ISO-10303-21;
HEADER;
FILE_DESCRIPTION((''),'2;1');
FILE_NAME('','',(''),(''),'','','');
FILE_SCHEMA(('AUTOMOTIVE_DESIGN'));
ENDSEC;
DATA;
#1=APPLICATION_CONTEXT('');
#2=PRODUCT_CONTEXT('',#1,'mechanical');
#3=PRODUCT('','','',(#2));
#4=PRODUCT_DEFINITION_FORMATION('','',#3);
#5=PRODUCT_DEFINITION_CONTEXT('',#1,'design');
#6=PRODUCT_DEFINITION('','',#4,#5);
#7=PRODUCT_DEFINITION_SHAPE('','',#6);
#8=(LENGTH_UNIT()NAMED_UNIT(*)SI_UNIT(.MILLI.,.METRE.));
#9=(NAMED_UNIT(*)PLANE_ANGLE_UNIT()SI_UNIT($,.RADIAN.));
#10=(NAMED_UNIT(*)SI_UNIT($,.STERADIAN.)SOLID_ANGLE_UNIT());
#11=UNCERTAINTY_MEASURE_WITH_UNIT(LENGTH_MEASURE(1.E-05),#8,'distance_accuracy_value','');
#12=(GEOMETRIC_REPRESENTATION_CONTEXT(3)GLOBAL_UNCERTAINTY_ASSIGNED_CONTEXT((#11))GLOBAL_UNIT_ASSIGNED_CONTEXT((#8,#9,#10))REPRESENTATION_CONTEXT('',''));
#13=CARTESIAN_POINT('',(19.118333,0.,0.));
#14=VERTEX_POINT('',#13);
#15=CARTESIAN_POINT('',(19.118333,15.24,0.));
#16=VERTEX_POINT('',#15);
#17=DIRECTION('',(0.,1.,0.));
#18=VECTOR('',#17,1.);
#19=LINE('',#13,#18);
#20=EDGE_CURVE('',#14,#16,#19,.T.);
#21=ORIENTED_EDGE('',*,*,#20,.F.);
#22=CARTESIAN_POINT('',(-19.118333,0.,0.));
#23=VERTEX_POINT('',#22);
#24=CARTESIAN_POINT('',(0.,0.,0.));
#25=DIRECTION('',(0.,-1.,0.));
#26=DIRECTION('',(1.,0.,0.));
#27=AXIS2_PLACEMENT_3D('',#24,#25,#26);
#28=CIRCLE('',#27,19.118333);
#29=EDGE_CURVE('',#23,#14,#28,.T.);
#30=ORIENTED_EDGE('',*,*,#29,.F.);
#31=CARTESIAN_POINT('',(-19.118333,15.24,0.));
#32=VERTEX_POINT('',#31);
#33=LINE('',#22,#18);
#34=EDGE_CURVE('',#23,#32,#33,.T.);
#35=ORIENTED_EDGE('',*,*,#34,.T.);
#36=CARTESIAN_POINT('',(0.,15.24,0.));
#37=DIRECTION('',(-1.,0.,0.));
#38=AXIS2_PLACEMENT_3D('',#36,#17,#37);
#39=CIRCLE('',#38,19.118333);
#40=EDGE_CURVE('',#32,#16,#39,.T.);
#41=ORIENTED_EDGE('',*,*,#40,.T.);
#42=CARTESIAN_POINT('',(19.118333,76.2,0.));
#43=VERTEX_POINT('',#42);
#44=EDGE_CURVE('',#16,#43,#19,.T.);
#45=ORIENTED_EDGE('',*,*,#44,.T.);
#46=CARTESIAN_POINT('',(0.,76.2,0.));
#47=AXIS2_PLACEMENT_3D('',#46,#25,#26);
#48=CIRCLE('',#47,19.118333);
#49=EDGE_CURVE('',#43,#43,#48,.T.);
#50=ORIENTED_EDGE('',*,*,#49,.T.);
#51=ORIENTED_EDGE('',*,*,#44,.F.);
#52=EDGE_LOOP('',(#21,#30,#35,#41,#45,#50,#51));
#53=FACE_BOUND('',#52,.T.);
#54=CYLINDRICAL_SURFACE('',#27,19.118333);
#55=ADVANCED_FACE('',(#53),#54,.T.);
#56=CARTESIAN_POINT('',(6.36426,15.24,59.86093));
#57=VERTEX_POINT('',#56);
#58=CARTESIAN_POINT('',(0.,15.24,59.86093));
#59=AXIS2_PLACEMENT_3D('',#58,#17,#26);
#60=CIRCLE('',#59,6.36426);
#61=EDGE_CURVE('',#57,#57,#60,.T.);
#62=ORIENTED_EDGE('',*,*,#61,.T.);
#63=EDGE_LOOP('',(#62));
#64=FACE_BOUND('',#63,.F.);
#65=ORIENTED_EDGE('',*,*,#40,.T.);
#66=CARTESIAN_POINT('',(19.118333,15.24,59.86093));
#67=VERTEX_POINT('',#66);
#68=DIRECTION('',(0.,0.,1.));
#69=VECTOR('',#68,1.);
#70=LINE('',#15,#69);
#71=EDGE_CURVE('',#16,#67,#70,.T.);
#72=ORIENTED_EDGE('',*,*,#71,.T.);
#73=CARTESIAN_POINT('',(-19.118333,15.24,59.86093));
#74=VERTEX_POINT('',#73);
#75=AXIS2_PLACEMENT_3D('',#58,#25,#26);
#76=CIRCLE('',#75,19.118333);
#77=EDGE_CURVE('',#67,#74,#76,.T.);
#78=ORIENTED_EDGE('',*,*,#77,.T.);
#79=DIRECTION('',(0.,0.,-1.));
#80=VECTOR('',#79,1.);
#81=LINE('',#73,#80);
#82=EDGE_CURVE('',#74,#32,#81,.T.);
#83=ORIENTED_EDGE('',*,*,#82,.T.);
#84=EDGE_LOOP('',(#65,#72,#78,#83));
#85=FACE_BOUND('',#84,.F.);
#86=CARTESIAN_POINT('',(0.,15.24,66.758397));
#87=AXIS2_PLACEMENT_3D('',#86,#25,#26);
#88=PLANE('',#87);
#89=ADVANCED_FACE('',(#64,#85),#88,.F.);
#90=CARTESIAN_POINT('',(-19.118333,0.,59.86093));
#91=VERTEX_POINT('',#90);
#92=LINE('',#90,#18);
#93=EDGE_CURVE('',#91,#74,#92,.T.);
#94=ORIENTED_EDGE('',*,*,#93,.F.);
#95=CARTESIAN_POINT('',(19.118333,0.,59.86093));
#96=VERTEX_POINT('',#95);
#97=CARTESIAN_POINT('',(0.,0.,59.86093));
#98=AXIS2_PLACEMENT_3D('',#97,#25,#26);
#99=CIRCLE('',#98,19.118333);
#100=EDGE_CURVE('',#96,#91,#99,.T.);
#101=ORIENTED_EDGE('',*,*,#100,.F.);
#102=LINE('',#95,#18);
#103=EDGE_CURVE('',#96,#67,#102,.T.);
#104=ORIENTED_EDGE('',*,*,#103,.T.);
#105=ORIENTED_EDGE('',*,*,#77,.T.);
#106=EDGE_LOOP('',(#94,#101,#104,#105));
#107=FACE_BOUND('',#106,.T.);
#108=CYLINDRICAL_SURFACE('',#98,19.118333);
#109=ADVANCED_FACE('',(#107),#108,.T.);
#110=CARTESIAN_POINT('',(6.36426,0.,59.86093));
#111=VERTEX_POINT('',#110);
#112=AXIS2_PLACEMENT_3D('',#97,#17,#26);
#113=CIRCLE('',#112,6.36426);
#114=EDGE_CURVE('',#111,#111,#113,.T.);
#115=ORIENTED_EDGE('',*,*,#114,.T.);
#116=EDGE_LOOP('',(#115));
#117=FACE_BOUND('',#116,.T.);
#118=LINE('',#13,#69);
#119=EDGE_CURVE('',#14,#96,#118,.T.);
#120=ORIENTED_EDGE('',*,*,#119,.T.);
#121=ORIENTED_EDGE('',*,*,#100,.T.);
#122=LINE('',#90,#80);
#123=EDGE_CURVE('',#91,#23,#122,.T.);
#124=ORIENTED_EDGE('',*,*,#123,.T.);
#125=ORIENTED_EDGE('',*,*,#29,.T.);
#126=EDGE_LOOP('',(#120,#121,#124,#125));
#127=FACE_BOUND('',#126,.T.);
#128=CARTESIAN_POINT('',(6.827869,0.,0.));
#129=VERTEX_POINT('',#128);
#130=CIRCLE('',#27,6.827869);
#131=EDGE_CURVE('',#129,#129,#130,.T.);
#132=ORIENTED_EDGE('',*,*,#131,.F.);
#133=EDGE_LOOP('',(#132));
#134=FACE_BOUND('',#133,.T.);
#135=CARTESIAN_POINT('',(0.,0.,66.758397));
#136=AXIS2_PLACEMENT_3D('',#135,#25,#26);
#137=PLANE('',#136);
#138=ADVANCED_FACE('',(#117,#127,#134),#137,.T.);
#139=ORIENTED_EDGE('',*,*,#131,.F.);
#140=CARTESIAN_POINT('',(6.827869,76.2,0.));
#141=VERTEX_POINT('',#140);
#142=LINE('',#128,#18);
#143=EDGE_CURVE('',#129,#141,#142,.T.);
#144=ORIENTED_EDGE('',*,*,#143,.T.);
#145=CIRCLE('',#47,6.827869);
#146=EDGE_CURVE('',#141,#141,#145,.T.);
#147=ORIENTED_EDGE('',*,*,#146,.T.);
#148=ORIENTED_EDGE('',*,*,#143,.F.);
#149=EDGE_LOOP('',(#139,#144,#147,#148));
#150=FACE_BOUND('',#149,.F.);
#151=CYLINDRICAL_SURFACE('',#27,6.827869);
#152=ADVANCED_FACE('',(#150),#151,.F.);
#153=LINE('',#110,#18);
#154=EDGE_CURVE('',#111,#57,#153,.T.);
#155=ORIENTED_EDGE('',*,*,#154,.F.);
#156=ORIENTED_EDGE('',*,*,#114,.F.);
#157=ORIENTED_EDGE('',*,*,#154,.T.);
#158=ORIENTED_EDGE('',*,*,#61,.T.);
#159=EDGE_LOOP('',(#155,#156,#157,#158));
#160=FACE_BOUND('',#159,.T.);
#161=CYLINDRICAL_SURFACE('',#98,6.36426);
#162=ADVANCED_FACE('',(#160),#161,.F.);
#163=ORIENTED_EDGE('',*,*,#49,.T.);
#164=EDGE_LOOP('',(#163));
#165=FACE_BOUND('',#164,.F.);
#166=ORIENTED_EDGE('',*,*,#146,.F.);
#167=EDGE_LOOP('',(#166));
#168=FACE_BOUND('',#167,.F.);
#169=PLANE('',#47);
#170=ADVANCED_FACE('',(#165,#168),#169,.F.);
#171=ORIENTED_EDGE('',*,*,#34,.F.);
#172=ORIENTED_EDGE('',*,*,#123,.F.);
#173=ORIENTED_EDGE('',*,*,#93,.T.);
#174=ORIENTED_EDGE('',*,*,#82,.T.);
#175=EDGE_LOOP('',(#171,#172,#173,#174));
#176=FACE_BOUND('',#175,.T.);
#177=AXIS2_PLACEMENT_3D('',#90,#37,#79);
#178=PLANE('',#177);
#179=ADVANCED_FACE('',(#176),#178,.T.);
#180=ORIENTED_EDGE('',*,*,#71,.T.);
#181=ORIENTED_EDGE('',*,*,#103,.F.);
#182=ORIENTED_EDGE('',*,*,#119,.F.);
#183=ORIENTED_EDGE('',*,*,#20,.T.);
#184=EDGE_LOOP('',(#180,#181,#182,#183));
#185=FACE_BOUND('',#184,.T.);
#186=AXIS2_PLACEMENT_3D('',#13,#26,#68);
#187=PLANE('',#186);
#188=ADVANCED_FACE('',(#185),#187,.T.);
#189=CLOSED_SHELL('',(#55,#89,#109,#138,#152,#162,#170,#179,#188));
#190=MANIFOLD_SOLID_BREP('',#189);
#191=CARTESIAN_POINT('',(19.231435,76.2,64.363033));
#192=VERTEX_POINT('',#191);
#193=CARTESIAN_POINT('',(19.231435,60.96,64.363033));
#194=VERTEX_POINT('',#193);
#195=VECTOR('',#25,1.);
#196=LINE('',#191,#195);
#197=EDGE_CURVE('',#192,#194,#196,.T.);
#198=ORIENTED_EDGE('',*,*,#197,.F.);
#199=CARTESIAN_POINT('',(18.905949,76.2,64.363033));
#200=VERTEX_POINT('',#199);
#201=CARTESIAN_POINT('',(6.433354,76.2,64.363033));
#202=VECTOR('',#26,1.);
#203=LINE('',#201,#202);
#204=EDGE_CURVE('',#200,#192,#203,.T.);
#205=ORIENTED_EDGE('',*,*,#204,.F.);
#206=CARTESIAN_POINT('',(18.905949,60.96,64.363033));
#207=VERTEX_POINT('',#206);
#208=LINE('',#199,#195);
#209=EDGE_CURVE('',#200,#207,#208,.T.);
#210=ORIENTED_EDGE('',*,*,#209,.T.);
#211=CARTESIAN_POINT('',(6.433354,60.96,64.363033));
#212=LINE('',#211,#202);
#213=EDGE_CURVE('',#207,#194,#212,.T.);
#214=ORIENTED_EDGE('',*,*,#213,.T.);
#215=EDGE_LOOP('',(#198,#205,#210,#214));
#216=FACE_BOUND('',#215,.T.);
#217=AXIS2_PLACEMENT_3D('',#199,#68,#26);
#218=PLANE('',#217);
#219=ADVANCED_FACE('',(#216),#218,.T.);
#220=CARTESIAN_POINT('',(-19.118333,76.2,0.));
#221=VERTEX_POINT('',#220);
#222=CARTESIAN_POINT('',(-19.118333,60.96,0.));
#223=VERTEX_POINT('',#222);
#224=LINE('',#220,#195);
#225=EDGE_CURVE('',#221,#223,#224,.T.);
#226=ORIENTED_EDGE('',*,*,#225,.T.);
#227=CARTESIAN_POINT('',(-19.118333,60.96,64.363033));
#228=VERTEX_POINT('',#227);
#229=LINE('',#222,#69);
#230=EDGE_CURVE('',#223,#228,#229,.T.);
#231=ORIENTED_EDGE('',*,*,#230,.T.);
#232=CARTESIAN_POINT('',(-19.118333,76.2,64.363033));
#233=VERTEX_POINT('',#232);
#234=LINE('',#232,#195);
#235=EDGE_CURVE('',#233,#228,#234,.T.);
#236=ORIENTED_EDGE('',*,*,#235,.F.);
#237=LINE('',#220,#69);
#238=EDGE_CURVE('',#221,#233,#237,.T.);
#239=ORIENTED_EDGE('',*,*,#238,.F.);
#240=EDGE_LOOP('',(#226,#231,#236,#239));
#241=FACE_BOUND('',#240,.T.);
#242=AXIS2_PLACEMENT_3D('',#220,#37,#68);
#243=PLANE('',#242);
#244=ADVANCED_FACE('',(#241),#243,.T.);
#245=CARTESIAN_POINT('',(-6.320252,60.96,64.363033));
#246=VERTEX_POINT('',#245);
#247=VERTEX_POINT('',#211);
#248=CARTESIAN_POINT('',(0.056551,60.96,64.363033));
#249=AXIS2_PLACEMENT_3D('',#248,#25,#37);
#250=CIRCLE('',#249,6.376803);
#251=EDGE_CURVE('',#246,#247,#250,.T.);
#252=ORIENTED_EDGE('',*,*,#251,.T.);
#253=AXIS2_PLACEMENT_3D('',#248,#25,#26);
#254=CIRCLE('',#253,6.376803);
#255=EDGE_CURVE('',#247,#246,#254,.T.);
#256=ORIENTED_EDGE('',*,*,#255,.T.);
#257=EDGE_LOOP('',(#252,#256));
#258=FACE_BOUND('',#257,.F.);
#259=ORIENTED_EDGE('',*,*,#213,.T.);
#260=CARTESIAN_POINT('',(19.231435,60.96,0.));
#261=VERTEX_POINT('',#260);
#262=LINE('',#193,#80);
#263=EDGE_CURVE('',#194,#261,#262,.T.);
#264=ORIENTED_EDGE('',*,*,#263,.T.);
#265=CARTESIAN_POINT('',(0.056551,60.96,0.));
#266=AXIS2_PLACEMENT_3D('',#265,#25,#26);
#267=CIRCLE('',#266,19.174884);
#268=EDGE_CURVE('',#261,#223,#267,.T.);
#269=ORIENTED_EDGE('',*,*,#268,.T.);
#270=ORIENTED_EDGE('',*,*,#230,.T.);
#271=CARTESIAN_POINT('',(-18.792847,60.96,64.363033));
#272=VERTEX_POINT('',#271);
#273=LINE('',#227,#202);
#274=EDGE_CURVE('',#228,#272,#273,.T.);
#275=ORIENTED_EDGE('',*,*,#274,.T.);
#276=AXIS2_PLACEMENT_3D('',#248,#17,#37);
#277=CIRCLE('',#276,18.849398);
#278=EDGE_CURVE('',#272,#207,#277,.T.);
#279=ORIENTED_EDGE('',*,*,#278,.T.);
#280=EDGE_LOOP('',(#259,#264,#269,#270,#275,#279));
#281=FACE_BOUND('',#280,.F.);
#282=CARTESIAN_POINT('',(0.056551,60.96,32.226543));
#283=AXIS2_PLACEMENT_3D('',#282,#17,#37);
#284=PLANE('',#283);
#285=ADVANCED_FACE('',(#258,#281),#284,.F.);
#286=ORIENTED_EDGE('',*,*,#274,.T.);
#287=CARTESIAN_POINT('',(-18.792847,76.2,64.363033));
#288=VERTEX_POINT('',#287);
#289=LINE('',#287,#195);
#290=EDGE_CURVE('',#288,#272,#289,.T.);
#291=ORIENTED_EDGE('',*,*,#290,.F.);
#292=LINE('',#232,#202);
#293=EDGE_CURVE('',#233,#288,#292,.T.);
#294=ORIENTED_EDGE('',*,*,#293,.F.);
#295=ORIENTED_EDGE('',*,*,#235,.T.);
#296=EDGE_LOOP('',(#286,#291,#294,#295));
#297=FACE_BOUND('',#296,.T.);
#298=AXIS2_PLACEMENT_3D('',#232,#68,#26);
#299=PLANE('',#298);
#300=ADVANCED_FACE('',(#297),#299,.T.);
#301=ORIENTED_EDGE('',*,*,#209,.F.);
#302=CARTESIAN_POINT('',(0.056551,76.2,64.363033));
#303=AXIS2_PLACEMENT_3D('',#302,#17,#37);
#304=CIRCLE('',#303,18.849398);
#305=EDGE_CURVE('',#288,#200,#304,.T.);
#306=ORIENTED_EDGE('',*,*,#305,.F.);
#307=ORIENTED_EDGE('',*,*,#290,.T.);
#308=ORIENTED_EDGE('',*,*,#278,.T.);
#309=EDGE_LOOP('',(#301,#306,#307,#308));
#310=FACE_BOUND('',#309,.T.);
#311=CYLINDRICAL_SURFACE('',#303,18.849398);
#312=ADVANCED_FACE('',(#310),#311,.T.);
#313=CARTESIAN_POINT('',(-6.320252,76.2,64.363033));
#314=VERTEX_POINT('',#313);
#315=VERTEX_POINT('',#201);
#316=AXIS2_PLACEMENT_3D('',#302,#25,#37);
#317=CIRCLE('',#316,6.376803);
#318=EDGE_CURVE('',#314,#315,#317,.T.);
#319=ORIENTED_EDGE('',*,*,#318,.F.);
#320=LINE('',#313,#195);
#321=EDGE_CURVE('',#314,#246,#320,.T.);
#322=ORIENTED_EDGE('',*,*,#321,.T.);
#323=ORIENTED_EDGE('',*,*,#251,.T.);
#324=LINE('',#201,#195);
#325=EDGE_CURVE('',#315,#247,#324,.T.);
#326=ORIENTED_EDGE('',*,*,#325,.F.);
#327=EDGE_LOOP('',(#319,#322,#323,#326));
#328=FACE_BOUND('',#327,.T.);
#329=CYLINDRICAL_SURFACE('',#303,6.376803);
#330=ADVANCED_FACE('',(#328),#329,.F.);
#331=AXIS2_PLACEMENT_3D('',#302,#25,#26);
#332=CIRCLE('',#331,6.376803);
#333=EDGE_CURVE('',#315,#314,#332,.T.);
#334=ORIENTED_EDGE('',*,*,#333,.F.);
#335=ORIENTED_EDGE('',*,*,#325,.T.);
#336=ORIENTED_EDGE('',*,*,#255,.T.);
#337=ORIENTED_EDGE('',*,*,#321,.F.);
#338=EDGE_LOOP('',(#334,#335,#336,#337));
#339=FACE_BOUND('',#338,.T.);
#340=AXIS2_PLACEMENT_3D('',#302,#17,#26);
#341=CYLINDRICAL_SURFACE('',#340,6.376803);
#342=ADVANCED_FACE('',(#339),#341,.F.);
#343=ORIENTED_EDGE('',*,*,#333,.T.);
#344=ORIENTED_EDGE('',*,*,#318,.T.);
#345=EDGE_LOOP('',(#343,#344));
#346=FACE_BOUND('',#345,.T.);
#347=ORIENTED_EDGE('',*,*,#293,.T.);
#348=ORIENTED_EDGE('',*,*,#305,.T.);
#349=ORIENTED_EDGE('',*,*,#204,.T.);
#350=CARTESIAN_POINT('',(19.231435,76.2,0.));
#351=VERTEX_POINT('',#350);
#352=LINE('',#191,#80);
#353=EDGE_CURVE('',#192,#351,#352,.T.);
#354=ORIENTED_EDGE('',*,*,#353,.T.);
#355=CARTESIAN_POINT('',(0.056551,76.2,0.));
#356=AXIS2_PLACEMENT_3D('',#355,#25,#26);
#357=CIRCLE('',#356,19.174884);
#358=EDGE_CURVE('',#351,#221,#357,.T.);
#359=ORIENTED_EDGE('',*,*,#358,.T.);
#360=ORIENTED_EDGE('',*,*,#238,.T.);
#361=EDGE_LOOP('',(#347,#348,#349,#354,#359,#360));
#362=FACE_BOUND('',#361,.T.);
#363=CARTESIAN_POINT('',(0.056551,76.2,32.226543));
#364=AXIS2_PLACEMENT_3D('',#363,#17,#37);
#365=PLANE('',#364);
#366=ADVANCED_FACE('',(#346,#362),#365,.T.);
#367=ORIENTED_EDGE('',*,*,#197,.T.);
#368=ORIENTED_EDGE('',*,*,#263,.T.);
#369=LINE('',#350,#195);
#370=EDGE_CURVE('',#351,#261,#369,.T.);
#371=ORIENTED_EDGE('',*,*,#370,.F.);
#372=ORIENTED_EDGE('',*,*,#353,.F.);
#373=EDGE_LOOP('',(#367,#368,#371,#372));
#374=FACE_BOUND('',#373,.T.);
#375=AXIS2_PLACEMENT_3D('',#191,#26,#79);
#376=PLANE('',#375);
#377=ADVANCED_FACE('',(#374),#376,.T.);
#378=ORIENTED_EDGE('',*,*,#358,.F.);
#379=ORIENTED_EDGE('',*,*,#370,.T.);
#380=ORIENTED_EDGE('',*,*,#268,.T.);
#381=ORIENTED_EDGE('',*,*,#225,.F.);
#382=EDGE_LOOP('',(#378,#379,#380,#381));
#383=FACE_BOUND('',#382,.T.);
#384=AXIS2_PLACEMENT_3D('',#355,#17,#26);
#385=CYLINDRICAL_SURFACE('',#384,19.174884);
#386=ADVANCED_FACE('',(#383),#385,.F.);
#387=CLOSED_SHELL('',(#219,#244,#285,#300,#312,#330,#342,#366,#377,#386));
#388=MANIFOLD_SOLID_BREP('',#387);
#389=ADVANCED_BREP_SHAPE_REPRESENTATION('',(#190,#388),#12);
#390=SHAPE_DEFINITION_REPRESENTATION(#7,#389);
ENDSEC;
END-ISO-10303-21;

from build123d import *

# Parameters (mm, degrees)
F0_R     = 19.1183329558
F0_R_2   = 6.8278686451
F1_DEPTH = 76.2
F3_DEPTH = 15.24
F5_DEPTH = 15.24


with BuildPart() as f1:
    # F0 (on Front) → F1 (new body)
    with BuildSketch(Plane.XZ):
        Circle(F0_R)
        Circle(F0_R_2, mode=Mode.SUBTRACT)
    extrude(amount=-F1_DEPTH)

    # F2 (on Front) → F3 (join)
    with BuildSketch(Plane.XZ):
        with BuildLine():
            ThreePointArc((-6.364259504, 59.8609298468), (0, 66.2251893508), (6.364259504, 59.8609298468))
            Line((6.364259504, 59.8609298468), (19.1183329558, 59.8609298468))
            ThreePointArc((19.1183329558, 59.8609298468), (0, 78.9792628025), (-19.1183329558, 59.8609298468))
            Line((-19.1183329558, 59.8609298468), (-6.364259504, 59.8609298468))
        make_face()
        with BuildLine():
            Line((19.1183329558, 59.8609298468), (6.364259504, 59.8609298468))
            ThreePointArc((6.364259504, 59.8609298468), (0, 53.4966703428), (-6.364259504, 59.8609298468))
            Line((-6.364259504, 59.8609298468), (-19.1183329558, 59.8609298468))
            ThreePointArc((-19.1183329558, 59.8609298468), (0, 40.742596891), (19.1183329558, 59.8609298468))
        make_face()
        with BuildLine():
            Line((19.1183329558, 0), (19.1183329558, 59.8609298468))
            ThreePointArc((19.1183329558, 59.8609298468), (0, 40.742596891), (-19.1183329558, 59.8609298468))
            Line((-19.1183329558, 59.8609298468), (-19.1183329558, 0))
            ThreePointArc((-19.1183329558, 0), (0, 19.1183329558), (19.1183329558, 0))
        make_face()
    extrude(amount=-F3_DEPTH)


with BuildPart() as f5:
    # F4 (on face) → F5 (new body)
    with BuildSketch(Plane(origin=(0, 76.2, 0), x_dir=(-1, 0, 0), z_dir=(0, 1, 0))):
        with BuildLine():
            Line((19.1183329558, 0), (19.1183329558, 64.3630325794))
            Line((19.1183329558, 64.3630325794), (18.7928472869, 64.3630325794))
            ThreePointArc((18.7928472869, 64.3630325794), (-0.0565509779, 45.5136343147), (-18.9059492426, 64.3630325794))
            Line((-18.9059492426, 64.3630325794), (-19.2314349115, 64.3630325794))
            Line((-19.2314349115, 64.3630325794), (-19.2314349115, 0))
            ThreePointArc((-19.2314349115, 0), (-0.0565509779, 19.1748839336), (19.1183329558, 0))
        make_face()
        with BuildLine():
            ThreePointArc((-18.9059492426, 64.3630325794), (-0.0565509779, 45.5136343147), (18.7928472869, 64.3630325794))
            Line((18.7928472869, 64.3630325794), (6.3202523649, 64.3630325794))
            ThreePointArc((6.3202523649, 64.3630325794), (-0.0565509779, 57.9862292367), (-6.4333543206, 64.3630325794))
            Line((-6.4333543206, 64.3630325794), (-18.9059492426, 64.3630325794))
        make_face()
        with BuildLine():
            Line((6.3202523649, 64.3630325794), (18.7928472869, 64.3630325794))
            ThreePointArc((18.7928472869, 64.3630325794), (-0.0565509779, 83.2124308442), (-18.9059492426, 64.3630325794))
            Line((-18.9059492426, 64.3630325794), (-6.4333543206, 64.3630325794))
            ThreePointArc((-6.4333543206, 64.3630325794), (-0.0565509779, 70.7398359221), (6.3202523649, 64.3630325794))
        make_face()
    extrude(amount=-F5_DEPTH)


solid = Compound([f1.part, f5.part])
